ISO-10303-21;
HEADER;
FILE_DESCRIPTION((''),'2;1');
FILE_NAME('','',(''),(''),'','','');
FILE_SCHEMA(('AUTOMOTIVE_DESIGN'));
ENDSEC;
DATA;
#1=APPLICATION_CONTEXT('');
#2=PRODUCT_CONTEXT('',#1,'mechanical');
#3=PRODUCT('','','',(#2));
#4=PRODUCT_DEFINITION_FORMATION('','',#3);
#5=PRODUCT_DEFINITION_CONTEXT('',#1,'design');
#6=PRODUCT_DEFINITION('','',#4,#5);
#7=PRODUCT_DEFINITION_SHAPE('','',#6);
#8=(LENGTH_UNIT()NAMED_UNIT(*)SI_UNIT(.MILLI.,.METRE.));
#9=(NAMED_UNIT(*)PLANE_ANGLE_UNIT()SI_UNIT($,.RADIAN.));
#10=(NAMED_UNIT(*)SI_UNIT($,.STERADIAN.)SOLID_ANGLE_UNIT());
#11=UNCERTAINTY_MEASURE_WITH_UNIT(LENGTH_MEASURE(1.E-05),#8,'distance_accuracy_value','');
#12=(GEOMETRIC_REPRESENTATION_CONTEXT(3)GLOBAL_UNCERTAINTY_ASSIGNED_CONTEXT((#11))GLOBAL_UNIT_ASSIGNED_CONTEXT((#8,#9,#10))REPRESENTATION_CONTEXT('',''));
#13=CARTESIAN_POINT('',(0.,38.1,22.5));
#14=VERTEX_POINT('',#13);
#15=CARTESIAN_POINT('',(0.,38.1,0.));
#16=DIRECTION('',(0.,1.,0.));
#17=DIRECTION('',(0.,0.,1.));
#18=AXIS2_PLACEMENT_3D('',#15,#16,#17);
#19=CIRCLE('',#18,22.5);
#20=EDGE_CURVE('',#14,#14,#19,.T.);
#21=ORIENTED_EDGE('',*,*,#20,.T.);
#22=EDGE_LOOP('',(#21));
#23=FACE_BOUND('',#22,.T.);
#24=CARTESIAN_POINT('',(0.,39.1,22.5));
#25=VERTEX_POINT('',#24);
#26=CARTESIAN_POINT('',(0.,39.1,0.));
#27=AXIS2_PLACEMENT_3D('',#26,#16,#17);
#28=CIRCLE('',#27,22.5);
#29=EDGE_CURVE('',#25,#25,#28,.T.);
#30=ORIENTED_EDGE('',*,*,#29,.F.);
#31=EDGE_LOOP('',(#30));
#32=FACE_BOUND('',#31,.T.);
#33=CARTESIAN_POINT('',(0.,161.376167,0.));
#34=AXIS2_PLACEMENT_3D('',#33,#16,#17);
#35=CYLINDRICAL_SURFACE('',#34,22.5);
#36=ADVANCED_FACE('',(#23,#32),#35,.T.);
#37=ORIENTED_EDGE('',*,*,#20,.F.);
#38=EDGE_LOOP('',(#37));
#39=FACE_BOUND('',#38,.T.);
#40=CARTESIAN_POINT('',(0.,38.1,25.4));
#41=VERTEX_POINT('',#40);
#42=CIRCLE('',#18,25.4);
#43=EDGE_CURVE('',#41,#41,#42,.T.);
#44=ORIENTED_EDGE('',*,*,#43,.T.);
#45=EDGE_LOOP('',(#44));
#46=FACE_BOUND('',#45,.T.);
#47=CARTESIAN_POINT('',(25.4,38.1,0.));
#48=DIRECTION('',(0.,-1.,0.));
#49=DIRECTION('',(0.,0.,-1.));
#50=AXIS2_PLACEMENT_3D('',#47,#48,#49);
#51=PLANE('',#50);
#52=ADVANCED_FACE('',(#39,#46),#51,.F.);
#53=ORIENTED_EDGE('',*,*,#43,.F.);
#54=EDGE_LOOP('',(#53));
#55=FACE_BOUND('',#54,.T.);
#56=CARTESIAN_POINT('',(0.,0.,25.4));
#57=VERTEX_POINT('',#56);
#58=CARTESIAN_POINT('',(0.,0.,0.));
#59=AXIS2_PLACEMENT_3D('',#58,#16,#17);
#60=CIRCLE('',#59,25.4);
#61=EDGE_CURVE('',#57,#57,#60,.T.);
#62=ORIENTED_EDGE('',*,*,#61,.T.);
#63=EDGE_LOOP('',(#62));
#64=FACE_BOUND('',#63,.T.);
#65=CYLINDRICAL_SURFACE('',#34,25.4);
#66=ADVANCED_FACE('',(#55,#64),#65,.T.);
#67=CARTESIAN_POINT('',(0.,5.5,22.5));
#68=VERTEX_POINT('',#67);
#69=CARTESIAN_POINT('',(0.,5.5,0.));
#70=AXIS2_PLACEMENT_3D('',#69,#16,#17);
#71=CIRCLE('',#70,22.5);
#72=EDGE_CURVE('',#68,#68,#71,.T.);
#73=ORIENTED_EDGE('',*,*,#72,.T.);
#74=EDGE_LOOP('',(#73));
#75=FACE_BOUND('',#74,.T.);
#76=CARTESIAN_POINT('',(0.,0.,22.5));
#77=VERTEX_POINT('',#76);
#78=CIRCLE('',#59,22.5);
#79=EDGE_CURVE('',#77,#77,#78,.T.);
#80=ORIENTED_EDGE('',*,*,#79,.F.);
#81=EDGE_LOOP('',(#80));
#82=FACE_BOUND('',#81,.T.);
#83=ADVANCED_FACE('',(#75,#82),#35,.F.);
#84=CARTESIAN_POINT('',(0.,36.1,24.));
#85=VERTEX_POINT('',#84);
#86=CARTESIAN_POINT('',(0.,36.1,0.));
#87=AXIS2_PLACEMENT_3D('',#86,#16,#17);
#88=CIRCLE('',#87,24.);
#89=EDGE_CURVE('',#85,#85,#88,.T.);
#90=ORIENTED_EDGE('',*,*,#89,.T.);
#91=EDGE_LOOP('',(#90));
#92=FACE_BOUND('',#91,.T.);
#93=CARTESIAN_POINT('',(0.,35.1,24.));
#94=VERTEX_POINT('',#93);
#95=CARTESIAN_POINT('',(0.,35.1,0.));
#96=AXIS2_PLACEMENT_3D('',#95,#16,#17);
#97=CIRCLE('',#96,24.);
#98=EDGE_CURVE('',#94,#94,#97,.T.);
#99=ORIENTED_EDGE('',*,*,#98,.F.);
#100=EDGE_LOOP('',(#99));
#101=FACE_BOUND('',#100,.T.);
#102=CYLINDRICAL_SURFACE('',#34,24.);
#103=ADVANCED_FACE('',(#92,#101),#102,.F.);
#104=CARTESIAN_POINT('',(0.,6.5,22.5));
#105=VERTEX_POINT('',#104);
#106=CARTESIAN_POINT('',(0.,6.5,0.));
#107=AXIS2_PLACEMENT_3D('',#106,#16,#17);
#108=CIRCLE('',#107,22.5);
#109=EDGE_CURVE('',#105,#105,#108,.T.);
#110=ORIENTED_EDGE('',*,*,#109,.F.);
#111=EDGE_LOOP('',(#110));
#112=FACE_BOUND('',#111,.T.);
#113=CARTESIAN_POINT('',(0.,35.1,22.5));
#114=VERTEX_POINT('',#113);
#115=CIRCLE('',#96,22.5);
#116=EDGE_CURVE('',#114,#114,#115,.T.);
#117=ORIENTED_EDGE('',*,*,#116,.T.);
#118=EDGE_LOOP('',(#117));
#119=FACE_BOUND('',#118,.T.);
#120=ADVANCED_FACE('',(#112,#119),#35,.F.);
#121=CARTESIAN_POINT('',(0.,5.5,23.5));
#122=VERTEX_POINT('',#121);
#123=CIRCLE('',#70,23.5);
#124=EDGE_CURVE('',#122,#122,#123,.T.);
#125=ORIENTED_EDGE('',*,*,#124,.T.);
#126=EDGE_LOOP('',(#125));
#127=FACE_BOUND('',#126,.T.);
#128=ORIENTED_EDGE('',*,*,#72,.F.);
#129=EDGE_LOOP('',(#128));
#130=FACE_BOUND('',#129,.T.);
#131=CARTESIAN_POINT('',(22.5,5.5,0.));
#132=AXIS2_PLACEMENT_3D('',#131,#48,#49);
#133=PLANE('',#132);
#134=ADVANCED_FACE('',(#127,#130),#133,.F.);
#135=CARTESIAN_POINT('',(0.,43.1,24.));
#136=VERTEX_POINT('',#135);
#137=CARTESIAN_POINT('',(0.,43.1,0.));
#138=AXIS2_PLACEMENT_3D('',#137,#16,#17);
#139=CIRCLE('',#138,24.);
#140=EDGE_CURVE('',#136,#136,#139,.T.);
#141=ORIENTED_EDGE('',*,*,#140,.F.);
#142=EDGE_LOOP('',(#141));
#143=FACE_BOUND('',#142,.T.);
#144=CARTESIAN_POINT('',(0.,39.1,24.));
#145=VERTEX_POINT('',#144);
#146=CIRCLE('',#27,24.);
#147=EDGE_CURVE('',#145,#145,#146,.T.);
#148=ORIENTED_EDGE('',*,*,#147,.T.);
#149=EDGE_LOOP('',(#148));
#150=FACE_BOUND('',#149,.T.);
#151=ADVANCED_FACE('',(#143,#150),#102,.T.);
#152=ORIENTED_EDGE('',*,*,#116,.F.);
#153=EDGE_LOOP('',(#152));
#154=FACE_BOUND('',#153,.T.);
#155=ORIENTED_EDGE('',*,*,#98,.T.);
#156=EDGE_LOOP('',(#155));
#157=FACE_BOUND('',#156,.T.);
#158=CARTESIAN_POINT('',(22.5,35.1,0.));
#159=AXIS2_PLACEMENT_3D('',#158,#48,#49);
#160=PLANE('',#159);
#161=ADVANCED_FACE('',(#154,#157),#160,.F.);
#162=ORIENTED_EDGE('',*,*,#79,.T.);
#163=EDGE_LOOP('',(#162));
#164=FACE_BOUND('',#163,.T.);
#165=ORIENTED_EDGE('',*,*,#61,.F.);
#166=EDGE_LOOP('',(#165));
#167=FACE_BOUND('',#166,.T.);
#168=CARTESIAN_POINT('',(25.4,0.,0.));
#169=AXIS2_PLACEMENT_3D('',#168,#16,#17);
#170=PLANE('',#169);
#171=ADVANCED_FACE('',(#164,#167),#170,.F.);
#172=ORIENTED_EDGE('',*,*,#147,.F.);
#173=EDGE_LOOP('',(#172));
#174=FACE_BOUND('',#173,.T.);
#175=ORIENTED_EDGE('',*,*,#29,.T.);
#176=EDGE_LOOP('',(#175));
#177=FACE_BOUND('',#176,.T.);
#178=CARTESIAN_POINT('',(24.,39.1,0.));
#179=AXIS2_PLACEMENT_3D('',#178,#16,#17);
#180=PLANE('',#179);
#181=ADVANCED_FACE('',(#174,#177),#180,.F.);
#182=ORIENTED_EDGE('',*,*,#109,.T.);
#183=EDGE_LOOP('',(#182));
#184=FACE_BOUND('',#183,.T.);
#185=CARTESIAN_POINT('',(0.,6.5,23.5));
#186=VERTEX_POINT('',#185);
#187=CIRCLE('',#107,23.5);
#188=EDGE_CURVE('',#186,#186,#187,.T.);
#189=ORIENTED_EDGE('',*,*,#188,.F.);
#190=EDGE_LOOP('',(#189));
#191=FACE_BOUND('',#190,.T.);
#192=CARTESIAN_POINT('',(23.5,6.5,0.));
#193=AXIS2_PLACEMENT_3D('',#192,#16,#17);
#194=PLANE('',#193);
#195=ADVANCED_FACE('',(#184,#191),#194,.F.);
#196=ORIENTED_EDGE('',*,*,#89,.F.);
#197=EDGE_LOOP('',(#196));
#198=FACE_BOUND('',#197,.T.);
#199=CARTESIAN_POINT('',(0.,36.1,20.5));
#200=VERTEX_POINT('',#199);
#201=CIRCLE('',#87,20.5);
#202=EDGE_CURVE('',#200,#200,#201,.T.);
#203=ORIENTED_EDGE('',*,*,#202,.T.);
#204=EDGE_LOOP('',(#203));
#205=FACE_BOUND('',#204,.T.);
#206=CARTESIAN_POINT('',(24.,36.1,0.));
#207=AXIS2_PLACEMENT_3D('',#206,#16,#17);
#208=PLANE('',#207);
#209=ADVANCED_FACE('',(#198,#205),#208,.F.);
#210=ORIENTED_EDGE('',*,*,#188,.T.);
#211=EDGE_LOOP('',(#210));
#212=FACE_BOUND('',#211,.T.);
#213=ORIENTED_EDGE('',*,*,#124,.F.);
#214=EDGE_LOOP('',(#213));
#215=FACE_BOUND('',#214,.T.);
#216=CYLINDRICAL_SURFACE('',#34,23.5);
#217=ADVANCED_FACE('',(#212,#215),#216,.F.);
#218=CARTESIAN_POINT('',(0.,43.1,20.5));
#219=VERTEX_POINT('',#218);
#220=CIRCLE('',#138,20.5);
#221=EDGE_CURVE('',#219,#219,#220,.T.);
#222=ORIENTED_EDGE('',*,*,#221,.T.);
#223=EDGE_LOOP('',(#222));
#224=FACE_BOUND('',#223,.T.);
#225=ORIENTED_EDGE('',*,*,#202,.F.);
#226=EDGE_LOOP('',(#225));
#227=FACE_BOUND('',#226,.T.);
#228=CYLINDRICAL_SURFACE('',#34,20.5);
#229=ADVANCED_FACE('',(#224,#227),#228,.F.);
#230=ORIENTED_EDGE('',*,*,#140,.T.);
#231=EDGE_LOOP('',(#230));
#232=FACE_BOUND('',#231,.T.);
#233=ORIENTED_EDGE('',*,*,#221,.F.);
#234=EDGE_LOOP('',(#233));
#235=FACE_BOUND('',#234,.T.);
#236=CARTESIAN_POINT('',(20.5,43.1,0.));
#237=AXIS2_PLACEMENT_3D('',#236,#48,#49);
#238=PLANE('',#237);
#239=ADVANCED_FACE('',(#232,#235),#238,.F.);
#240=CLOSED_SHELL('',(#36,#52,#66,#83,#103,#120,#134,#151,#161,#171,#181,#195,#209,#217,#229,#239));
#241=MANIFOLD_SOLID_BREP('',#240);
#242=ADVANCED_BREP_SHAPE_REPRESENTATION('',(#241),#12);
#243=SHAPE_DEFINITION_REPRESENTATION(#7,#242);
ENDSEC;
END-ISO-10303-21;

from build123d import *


with BuildPart() as part:
    # 草图1 → 旋转1 (revolve)
    with BuildSketch(Plane.XY, mode=Mode.PRIVATE) as revolve_1_sk:
        Polygon((22.5, 35.1), (24, 35.1), (24, 36.1), (20.5, 36.1), (20.5, 43.1), (24, 43.1), (24, 39.1), (22.5, 39.1), (22.5, 38.1), (23.5, 38.1), (25.4, 38.1), (25.4, 0), (22.5, 0), (22.5, 5.5), (23.5, 5.5), (23.5, 6.5), (22.5, 6.5), align=None)
    revolve(revolve_1_sk.sketch.rotate(Axis((0, 161.376166943, 0), (0, -1, 0)), 90), axis=Axis((0, 161.376166943, 0), (0, -1, 0)))  # turned: the seam where the file's is


solid = part.part
